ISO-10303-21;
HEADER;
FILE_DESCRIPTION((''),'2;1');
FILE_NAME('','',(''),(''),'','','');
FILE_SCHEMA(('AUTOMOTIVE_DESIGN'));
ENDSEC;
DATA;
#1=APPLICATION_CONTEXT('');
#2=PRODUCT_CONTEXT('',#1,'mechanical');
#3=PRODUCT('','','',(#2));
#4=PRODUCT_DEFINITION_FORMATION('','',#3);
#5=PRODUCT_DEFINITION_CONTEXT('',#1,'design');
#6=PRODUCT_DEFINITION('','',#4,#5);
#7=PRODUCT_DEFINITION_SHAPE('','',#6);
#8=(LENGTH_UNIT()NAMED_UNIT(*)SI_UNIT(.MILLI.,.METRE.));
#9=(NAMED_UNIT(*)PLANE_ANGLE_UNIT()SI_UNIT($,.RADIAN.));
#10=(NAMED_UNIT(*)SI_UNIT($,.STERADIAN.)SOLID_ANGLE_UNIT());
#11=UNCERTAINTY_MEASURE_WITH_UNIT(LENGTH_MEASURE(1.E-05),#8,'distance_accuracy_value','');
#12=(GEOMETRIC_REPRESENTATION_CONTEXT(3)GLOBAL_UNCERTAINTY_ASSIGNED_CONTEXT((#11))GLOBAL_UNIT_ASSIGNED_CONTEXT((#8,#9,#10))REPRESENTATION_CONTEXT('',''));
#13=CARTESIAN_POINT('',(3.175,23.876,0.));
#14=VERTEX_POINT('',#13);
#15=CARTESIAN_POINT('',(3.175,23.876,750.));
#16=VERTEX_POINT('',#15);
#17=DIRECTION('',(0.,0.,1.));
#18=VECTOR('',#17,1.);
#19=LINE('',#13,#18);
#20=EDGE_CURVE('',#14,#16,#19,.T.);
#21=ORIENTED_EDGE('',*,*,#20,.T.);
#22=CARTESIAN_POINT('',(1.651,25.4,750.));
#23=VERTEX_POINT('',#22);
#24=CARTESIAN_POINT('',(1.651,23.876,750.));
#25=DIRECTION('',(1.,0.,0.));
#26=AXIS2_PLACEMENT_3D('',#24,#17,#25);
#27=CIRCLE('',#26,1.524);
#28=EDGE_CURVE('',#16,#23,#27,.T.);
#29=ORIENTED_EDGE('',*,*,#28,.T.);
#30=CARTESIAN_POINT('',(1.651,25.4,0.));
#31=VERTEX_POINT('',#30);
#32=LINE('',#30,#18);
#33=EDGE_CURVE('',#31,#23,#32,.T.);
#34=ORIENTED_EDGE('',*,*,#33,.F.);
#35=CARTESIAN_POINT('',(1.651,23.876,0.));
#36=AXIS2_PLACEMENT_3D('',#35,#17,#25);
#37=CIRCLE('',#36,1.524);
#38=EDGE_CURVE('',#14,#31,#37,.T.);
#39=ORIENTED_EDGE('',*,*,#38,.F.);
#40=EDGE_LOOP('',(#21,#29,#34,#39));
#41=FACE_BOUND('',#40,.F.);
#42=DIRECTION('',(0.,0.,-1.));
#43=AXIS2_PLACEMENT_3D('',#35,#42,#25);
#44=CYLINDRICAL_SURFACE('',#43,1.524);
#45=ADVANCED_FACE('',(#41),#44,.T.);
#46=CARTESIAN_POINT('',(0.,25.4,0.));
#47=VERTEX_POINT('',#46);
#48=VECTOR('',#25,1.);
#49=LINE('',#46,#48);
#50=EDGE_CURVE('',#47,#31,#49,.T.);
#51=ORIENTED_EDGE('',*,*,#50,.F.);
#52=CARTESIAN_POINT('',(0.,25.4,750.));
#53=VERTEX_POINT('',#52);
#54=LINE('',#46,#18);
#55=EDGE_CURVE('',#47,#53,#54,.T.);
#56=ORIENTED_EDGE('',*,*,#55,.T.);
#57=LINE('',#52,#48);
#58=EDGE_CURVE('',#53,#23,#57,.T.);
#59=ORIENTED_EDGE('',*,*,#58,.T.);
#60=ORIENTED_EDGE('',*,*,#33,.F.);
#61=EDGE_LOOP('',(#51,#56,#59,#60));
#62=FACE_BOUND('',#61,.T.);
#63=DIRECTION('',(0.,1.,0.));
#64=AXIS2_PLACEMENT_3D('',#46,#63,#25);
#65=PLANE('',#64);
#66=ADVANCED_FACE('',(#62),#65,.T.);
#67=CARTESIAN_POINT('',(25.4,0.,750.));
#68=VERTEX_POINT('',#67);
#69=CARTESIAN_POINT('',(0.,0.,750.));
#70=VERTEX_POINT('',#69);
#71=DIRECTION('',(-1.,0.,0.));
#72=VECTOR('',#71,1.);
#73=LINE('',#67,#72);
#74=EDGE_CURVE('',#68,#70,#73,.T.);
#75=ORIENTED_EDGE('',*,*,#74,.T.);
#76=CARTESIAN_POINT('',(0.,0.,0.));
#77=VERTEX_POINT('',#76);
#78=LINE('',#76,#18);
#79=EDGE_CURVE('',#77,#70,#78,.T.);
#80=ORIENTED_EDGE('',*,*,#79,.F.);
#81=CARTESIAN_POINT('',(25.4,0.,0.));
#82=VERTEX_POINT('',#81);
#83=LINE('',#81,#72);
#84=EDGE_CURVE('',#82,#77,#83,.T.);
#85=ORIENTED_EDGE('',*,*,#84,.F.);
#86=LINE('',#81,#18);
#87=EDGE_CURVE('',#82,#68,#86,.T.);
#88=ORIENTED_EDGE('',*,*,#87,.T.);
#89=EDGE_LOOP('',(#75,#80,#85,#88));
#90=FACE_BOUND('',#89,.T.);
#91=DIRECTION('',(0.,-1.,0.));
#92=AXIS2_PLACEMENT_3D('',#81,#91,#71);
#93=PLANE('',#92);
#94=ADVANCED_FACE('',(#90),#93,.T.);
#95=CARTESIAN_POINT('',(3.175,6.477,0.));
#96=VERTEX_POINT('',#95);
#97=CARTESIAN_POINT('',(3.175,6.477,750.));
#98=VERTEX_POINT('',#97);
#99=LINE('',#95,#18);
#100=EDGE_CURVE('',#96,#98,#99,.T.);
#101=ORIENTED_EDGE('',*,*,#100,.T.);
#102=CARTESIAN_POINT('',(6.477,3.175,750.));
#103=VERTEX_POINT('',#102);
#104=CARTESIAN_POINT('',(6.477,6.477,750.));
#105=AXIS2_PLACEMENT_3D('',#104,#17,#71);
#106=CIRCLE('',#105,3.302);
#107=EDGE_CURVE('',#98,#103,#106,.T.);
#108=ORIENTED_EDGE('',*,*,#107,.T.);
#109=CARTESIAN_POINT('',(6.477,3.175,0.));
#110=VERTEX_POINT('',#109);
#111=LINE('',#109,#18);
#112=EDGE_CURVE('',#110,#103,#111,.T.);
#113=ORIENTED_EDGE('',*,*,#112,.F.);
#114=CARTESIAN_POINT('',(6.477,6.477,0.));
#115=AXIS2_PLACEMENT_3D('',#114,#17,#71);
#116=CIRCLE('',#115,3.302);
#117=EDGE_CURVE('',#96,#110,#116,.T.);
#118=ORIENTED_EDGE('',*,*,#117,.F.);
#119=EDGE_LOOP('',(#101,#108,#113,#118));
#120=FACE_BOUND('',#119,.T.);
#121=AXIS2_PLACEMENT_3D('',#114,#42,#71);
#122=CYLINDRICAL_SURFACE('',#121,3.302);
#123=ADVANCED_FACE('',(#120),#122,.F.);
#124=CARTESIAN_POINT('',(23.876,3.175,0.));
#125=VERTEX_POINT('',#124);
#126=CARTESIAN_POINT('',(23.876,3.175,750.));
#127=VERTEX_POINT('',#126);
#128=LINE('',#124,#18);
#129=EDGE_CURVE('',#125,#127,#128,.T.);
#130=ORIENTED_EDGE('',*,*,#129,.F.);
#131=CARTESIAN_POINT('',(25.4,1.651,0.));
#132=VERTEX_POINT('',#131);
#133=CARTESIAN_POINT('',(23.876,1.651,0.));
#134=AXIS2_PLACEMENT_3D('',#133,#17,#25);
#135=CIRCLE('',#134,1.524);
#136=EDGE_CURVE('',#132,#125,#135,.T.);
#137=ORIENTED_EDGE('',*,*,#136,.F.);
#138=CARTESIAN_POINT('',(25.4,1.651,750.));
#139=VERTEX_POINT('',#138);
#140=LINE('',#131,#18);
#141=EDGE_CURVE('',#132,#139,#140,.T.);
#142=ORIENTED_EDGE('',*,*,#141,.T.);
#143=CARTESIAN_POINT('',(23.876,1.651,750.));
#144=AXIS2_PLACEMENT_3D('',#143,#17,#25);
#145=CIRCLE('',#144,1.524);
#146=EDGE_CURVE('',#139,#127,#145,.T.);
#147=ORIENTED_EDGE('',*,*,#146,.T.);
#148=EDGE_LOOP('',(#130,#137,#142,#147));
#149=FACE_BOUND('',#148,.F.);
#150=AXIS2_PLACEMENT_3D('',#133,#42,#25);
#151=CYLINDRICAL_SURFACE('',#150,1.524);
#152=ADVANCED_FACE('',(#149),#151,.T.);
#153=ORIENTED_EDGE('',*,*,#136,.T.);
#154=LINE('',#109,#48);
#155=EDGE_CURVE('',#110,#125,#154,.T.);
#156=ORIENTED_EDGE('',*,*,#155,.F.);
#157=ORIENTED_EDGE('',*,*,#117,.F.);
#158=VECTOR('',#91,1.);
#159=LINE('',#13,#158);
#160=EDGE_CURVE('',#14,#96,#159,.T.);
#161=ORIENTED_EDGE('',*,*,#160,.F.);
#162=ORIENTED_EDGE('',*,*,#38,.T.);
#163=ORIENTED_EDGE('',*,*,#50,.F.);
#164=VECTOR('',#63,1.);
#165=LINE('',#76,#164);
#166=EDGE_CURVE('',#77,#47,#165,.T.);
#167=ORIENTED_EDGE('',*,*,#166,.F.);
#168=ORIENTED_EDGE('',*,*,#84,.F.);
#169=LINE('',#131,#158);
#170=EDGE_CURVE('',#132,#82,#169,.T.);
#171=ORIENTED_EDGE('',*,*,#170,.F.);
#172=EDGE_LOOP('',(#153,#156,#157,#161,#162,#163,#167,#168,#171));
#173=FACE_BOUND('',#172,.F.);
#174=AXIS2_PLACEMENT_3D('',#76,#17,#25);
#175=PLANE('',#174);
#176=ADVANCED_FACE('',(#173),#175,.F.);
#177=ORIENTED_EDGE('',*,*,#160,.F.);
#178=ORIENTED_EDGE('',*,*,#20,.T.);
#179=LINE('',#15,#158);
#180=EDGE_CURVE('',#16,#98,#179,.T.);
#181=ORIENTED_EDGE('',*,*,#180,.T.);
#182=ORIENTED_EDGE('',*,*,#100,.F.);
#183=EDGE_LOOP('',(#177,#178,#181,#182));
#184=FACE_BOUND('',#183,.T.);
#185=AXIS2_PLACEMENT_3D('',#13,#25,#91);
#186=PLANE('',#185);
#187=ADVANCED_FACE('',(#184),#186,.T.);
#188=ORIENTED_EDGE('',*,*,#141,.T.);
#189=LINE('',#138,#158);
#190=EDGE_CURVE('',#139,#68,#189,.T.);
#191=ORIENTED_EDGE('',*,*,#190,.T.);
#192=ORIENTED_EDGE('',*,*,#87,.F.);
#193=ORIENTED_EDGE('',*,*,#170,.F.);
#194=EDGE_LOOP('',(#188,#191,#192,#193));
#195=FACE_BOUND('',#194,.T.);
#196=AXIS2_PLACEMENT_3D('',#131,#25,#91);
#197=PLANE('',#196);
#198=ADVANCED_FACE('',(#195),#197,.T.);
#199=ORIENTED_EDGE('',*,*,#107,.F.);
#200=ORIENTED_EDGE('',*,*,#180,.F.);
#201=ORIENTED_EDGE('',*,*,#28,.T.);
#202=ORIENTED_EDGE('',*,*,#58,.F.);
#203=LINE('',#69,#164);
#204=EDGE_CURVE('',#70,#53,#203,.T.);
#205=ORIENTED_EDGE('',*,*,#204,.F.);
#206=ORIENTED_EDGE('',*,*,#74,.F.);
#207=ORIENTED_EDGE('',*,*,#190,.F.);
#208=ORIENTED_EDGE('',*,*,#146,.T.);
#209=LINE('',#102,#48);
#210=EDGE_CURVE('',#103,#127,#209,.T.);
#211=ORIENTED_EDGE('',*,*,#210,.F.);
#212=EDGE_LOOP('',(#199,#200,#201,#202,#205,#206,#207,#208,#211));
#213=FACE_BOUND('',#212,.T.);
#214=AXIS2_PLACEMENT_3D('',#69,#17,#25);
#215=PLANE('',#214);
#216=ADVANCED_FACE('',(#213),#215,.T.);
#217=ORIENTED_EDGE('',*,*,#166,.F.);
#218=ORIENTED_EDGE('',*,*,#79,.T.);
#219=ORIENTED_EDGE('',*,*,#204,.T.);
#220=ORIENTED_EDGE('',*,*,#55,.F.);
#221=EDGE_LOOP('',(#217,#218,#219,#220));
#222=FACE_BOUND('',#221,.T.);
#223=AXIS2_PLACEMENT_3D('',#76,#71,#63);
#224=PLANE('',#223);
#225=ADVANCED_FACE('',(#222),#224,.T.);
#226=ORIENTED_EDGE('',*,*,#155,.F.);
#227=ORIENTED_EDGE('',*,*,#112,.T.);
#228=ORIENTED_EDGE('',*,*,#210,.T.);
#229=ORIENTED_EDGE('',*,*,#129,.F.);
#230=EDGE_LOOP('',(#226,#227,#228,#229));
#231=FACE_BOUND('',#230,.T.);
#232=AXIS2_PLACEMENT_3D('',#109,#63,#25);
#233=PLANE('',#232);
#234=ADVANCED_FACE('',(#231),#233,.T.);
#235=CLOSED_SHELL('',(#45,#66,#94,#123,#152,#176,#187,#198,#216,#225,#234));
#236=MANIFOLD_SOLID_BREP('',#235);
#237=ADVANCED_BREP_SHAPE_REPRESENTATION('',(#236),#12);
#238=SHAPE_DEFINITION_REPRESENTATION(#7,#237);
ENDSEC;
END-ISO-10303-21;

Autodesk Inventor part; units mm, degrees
ref_plane "YZ Plane" through (0, 0, 0) normal (1, 0, 0) x (0, 1, 0)
ref_plane "Start Plane" through (0, 0, 0) normal (0, 0, 1) x (1, 0, 0)
ref_plane "End Plane" through (0, 0, 750) normal (0, 0, 1) x (1, 0, 0)
sketch "Sketch" plane through (0, 0, 0) normal (0, 0, 1) x (1, 0, 0)
  line L0 (25.4, 0) -> (0, 0)
  line L1 (0, 0) -> (0, 25.4)
  line L2 (0, 25.4) -> (1.651, 25.4)
  line L3 (3.175, 23.876) -> (3.175, 6.477)
  line L4 (6.477, 3.175) -> (23.876, 3.175)
  line L5 (25.4, 1.651) -> (25.4, 0)
  line L6 (0, -11.0414) -> (0, 31.5385) construction
  line L7 (-11.0414, 0) -> (31.5385, 0) construction
  arc A0 (3.175, 6.477) -> (6.477, 3.175) centre (6.477, 6.477) ccw
  arc A1 (3.175, 23.876) -> (1.651, 25.4) centre (1.651, 23.876) ccw
  arc A2 (25.4, 1.651) -> (23.876, 3.175) centre (23.876, 1.651) ccw
  line L8 (0, 40.0545) -> (0, -19.5574) construction
  line L9 (-19.5574, 0) -> (40.0545, 0) construction
  point P0 (3.175, 25.4)
  point P1 (3.175, 3.175)
  point P2 (25.4, 3.175)
  dimension "d0" = 25.4
  dimension "d1" = 25.4
  dimension "d2" = 3.175
  dimension "d3" = 3.175
  dimension "d10" = 0
  dimension "d11" = 0
  dimension "d14" = 3.302
  dimension "d15" = 1.524
extrude "Body" add sketch "Sketch" along normal up to surface (750 mm away) from surface at 0
sketch "Sketch3" plane through (0, 0, 0) normal (0, 0, 1) x (1, 0, 0)
  line L0 (0, 0) -> (10, 0)
ref_plane "Work Plane3" through (0, 0, 0) normal (0, -1, 0) x (1, 0, 0)
sketch "Sketch4" plane through (0, 0, 0) normal (0, -1, 0) x (1, 0, 0)
  line L0 (-2, 0) -> (12, 0) projected
  line L1 (-2, 750) -> (12, 750) projected
  dimension "d17" = 750
equation "\"d0\" = G_H"
equation "\"d1\" = G_H"
equation "\"d2\" = G_T"
equation "\"d3\" = G_T"
equation "\"d14\" = G_IR"
equation "\"d15\" = G_ER"
equation "\"d4\" = G_L"
equation "\"G_H\" = 25.4"
equation "\"G_T\" = 3.175"
equation "\"G_ER\" = 1.524"
equation "\"G_IR\" = 3.302"
equation "\"G_L\" = d17"
equation "\"ex\" = 0"
equation "\"G_OFFSET_START\" = 0"
equation "\"G_OFFSET_END\" = 0"
equation "\"d13\" = G_OFFSET_END + B_L"
equation "\"B_L\" = 750"
properties part number "AISC - L 1 x 1 x 1/8 - 29.528" material "Steel, Mild"
